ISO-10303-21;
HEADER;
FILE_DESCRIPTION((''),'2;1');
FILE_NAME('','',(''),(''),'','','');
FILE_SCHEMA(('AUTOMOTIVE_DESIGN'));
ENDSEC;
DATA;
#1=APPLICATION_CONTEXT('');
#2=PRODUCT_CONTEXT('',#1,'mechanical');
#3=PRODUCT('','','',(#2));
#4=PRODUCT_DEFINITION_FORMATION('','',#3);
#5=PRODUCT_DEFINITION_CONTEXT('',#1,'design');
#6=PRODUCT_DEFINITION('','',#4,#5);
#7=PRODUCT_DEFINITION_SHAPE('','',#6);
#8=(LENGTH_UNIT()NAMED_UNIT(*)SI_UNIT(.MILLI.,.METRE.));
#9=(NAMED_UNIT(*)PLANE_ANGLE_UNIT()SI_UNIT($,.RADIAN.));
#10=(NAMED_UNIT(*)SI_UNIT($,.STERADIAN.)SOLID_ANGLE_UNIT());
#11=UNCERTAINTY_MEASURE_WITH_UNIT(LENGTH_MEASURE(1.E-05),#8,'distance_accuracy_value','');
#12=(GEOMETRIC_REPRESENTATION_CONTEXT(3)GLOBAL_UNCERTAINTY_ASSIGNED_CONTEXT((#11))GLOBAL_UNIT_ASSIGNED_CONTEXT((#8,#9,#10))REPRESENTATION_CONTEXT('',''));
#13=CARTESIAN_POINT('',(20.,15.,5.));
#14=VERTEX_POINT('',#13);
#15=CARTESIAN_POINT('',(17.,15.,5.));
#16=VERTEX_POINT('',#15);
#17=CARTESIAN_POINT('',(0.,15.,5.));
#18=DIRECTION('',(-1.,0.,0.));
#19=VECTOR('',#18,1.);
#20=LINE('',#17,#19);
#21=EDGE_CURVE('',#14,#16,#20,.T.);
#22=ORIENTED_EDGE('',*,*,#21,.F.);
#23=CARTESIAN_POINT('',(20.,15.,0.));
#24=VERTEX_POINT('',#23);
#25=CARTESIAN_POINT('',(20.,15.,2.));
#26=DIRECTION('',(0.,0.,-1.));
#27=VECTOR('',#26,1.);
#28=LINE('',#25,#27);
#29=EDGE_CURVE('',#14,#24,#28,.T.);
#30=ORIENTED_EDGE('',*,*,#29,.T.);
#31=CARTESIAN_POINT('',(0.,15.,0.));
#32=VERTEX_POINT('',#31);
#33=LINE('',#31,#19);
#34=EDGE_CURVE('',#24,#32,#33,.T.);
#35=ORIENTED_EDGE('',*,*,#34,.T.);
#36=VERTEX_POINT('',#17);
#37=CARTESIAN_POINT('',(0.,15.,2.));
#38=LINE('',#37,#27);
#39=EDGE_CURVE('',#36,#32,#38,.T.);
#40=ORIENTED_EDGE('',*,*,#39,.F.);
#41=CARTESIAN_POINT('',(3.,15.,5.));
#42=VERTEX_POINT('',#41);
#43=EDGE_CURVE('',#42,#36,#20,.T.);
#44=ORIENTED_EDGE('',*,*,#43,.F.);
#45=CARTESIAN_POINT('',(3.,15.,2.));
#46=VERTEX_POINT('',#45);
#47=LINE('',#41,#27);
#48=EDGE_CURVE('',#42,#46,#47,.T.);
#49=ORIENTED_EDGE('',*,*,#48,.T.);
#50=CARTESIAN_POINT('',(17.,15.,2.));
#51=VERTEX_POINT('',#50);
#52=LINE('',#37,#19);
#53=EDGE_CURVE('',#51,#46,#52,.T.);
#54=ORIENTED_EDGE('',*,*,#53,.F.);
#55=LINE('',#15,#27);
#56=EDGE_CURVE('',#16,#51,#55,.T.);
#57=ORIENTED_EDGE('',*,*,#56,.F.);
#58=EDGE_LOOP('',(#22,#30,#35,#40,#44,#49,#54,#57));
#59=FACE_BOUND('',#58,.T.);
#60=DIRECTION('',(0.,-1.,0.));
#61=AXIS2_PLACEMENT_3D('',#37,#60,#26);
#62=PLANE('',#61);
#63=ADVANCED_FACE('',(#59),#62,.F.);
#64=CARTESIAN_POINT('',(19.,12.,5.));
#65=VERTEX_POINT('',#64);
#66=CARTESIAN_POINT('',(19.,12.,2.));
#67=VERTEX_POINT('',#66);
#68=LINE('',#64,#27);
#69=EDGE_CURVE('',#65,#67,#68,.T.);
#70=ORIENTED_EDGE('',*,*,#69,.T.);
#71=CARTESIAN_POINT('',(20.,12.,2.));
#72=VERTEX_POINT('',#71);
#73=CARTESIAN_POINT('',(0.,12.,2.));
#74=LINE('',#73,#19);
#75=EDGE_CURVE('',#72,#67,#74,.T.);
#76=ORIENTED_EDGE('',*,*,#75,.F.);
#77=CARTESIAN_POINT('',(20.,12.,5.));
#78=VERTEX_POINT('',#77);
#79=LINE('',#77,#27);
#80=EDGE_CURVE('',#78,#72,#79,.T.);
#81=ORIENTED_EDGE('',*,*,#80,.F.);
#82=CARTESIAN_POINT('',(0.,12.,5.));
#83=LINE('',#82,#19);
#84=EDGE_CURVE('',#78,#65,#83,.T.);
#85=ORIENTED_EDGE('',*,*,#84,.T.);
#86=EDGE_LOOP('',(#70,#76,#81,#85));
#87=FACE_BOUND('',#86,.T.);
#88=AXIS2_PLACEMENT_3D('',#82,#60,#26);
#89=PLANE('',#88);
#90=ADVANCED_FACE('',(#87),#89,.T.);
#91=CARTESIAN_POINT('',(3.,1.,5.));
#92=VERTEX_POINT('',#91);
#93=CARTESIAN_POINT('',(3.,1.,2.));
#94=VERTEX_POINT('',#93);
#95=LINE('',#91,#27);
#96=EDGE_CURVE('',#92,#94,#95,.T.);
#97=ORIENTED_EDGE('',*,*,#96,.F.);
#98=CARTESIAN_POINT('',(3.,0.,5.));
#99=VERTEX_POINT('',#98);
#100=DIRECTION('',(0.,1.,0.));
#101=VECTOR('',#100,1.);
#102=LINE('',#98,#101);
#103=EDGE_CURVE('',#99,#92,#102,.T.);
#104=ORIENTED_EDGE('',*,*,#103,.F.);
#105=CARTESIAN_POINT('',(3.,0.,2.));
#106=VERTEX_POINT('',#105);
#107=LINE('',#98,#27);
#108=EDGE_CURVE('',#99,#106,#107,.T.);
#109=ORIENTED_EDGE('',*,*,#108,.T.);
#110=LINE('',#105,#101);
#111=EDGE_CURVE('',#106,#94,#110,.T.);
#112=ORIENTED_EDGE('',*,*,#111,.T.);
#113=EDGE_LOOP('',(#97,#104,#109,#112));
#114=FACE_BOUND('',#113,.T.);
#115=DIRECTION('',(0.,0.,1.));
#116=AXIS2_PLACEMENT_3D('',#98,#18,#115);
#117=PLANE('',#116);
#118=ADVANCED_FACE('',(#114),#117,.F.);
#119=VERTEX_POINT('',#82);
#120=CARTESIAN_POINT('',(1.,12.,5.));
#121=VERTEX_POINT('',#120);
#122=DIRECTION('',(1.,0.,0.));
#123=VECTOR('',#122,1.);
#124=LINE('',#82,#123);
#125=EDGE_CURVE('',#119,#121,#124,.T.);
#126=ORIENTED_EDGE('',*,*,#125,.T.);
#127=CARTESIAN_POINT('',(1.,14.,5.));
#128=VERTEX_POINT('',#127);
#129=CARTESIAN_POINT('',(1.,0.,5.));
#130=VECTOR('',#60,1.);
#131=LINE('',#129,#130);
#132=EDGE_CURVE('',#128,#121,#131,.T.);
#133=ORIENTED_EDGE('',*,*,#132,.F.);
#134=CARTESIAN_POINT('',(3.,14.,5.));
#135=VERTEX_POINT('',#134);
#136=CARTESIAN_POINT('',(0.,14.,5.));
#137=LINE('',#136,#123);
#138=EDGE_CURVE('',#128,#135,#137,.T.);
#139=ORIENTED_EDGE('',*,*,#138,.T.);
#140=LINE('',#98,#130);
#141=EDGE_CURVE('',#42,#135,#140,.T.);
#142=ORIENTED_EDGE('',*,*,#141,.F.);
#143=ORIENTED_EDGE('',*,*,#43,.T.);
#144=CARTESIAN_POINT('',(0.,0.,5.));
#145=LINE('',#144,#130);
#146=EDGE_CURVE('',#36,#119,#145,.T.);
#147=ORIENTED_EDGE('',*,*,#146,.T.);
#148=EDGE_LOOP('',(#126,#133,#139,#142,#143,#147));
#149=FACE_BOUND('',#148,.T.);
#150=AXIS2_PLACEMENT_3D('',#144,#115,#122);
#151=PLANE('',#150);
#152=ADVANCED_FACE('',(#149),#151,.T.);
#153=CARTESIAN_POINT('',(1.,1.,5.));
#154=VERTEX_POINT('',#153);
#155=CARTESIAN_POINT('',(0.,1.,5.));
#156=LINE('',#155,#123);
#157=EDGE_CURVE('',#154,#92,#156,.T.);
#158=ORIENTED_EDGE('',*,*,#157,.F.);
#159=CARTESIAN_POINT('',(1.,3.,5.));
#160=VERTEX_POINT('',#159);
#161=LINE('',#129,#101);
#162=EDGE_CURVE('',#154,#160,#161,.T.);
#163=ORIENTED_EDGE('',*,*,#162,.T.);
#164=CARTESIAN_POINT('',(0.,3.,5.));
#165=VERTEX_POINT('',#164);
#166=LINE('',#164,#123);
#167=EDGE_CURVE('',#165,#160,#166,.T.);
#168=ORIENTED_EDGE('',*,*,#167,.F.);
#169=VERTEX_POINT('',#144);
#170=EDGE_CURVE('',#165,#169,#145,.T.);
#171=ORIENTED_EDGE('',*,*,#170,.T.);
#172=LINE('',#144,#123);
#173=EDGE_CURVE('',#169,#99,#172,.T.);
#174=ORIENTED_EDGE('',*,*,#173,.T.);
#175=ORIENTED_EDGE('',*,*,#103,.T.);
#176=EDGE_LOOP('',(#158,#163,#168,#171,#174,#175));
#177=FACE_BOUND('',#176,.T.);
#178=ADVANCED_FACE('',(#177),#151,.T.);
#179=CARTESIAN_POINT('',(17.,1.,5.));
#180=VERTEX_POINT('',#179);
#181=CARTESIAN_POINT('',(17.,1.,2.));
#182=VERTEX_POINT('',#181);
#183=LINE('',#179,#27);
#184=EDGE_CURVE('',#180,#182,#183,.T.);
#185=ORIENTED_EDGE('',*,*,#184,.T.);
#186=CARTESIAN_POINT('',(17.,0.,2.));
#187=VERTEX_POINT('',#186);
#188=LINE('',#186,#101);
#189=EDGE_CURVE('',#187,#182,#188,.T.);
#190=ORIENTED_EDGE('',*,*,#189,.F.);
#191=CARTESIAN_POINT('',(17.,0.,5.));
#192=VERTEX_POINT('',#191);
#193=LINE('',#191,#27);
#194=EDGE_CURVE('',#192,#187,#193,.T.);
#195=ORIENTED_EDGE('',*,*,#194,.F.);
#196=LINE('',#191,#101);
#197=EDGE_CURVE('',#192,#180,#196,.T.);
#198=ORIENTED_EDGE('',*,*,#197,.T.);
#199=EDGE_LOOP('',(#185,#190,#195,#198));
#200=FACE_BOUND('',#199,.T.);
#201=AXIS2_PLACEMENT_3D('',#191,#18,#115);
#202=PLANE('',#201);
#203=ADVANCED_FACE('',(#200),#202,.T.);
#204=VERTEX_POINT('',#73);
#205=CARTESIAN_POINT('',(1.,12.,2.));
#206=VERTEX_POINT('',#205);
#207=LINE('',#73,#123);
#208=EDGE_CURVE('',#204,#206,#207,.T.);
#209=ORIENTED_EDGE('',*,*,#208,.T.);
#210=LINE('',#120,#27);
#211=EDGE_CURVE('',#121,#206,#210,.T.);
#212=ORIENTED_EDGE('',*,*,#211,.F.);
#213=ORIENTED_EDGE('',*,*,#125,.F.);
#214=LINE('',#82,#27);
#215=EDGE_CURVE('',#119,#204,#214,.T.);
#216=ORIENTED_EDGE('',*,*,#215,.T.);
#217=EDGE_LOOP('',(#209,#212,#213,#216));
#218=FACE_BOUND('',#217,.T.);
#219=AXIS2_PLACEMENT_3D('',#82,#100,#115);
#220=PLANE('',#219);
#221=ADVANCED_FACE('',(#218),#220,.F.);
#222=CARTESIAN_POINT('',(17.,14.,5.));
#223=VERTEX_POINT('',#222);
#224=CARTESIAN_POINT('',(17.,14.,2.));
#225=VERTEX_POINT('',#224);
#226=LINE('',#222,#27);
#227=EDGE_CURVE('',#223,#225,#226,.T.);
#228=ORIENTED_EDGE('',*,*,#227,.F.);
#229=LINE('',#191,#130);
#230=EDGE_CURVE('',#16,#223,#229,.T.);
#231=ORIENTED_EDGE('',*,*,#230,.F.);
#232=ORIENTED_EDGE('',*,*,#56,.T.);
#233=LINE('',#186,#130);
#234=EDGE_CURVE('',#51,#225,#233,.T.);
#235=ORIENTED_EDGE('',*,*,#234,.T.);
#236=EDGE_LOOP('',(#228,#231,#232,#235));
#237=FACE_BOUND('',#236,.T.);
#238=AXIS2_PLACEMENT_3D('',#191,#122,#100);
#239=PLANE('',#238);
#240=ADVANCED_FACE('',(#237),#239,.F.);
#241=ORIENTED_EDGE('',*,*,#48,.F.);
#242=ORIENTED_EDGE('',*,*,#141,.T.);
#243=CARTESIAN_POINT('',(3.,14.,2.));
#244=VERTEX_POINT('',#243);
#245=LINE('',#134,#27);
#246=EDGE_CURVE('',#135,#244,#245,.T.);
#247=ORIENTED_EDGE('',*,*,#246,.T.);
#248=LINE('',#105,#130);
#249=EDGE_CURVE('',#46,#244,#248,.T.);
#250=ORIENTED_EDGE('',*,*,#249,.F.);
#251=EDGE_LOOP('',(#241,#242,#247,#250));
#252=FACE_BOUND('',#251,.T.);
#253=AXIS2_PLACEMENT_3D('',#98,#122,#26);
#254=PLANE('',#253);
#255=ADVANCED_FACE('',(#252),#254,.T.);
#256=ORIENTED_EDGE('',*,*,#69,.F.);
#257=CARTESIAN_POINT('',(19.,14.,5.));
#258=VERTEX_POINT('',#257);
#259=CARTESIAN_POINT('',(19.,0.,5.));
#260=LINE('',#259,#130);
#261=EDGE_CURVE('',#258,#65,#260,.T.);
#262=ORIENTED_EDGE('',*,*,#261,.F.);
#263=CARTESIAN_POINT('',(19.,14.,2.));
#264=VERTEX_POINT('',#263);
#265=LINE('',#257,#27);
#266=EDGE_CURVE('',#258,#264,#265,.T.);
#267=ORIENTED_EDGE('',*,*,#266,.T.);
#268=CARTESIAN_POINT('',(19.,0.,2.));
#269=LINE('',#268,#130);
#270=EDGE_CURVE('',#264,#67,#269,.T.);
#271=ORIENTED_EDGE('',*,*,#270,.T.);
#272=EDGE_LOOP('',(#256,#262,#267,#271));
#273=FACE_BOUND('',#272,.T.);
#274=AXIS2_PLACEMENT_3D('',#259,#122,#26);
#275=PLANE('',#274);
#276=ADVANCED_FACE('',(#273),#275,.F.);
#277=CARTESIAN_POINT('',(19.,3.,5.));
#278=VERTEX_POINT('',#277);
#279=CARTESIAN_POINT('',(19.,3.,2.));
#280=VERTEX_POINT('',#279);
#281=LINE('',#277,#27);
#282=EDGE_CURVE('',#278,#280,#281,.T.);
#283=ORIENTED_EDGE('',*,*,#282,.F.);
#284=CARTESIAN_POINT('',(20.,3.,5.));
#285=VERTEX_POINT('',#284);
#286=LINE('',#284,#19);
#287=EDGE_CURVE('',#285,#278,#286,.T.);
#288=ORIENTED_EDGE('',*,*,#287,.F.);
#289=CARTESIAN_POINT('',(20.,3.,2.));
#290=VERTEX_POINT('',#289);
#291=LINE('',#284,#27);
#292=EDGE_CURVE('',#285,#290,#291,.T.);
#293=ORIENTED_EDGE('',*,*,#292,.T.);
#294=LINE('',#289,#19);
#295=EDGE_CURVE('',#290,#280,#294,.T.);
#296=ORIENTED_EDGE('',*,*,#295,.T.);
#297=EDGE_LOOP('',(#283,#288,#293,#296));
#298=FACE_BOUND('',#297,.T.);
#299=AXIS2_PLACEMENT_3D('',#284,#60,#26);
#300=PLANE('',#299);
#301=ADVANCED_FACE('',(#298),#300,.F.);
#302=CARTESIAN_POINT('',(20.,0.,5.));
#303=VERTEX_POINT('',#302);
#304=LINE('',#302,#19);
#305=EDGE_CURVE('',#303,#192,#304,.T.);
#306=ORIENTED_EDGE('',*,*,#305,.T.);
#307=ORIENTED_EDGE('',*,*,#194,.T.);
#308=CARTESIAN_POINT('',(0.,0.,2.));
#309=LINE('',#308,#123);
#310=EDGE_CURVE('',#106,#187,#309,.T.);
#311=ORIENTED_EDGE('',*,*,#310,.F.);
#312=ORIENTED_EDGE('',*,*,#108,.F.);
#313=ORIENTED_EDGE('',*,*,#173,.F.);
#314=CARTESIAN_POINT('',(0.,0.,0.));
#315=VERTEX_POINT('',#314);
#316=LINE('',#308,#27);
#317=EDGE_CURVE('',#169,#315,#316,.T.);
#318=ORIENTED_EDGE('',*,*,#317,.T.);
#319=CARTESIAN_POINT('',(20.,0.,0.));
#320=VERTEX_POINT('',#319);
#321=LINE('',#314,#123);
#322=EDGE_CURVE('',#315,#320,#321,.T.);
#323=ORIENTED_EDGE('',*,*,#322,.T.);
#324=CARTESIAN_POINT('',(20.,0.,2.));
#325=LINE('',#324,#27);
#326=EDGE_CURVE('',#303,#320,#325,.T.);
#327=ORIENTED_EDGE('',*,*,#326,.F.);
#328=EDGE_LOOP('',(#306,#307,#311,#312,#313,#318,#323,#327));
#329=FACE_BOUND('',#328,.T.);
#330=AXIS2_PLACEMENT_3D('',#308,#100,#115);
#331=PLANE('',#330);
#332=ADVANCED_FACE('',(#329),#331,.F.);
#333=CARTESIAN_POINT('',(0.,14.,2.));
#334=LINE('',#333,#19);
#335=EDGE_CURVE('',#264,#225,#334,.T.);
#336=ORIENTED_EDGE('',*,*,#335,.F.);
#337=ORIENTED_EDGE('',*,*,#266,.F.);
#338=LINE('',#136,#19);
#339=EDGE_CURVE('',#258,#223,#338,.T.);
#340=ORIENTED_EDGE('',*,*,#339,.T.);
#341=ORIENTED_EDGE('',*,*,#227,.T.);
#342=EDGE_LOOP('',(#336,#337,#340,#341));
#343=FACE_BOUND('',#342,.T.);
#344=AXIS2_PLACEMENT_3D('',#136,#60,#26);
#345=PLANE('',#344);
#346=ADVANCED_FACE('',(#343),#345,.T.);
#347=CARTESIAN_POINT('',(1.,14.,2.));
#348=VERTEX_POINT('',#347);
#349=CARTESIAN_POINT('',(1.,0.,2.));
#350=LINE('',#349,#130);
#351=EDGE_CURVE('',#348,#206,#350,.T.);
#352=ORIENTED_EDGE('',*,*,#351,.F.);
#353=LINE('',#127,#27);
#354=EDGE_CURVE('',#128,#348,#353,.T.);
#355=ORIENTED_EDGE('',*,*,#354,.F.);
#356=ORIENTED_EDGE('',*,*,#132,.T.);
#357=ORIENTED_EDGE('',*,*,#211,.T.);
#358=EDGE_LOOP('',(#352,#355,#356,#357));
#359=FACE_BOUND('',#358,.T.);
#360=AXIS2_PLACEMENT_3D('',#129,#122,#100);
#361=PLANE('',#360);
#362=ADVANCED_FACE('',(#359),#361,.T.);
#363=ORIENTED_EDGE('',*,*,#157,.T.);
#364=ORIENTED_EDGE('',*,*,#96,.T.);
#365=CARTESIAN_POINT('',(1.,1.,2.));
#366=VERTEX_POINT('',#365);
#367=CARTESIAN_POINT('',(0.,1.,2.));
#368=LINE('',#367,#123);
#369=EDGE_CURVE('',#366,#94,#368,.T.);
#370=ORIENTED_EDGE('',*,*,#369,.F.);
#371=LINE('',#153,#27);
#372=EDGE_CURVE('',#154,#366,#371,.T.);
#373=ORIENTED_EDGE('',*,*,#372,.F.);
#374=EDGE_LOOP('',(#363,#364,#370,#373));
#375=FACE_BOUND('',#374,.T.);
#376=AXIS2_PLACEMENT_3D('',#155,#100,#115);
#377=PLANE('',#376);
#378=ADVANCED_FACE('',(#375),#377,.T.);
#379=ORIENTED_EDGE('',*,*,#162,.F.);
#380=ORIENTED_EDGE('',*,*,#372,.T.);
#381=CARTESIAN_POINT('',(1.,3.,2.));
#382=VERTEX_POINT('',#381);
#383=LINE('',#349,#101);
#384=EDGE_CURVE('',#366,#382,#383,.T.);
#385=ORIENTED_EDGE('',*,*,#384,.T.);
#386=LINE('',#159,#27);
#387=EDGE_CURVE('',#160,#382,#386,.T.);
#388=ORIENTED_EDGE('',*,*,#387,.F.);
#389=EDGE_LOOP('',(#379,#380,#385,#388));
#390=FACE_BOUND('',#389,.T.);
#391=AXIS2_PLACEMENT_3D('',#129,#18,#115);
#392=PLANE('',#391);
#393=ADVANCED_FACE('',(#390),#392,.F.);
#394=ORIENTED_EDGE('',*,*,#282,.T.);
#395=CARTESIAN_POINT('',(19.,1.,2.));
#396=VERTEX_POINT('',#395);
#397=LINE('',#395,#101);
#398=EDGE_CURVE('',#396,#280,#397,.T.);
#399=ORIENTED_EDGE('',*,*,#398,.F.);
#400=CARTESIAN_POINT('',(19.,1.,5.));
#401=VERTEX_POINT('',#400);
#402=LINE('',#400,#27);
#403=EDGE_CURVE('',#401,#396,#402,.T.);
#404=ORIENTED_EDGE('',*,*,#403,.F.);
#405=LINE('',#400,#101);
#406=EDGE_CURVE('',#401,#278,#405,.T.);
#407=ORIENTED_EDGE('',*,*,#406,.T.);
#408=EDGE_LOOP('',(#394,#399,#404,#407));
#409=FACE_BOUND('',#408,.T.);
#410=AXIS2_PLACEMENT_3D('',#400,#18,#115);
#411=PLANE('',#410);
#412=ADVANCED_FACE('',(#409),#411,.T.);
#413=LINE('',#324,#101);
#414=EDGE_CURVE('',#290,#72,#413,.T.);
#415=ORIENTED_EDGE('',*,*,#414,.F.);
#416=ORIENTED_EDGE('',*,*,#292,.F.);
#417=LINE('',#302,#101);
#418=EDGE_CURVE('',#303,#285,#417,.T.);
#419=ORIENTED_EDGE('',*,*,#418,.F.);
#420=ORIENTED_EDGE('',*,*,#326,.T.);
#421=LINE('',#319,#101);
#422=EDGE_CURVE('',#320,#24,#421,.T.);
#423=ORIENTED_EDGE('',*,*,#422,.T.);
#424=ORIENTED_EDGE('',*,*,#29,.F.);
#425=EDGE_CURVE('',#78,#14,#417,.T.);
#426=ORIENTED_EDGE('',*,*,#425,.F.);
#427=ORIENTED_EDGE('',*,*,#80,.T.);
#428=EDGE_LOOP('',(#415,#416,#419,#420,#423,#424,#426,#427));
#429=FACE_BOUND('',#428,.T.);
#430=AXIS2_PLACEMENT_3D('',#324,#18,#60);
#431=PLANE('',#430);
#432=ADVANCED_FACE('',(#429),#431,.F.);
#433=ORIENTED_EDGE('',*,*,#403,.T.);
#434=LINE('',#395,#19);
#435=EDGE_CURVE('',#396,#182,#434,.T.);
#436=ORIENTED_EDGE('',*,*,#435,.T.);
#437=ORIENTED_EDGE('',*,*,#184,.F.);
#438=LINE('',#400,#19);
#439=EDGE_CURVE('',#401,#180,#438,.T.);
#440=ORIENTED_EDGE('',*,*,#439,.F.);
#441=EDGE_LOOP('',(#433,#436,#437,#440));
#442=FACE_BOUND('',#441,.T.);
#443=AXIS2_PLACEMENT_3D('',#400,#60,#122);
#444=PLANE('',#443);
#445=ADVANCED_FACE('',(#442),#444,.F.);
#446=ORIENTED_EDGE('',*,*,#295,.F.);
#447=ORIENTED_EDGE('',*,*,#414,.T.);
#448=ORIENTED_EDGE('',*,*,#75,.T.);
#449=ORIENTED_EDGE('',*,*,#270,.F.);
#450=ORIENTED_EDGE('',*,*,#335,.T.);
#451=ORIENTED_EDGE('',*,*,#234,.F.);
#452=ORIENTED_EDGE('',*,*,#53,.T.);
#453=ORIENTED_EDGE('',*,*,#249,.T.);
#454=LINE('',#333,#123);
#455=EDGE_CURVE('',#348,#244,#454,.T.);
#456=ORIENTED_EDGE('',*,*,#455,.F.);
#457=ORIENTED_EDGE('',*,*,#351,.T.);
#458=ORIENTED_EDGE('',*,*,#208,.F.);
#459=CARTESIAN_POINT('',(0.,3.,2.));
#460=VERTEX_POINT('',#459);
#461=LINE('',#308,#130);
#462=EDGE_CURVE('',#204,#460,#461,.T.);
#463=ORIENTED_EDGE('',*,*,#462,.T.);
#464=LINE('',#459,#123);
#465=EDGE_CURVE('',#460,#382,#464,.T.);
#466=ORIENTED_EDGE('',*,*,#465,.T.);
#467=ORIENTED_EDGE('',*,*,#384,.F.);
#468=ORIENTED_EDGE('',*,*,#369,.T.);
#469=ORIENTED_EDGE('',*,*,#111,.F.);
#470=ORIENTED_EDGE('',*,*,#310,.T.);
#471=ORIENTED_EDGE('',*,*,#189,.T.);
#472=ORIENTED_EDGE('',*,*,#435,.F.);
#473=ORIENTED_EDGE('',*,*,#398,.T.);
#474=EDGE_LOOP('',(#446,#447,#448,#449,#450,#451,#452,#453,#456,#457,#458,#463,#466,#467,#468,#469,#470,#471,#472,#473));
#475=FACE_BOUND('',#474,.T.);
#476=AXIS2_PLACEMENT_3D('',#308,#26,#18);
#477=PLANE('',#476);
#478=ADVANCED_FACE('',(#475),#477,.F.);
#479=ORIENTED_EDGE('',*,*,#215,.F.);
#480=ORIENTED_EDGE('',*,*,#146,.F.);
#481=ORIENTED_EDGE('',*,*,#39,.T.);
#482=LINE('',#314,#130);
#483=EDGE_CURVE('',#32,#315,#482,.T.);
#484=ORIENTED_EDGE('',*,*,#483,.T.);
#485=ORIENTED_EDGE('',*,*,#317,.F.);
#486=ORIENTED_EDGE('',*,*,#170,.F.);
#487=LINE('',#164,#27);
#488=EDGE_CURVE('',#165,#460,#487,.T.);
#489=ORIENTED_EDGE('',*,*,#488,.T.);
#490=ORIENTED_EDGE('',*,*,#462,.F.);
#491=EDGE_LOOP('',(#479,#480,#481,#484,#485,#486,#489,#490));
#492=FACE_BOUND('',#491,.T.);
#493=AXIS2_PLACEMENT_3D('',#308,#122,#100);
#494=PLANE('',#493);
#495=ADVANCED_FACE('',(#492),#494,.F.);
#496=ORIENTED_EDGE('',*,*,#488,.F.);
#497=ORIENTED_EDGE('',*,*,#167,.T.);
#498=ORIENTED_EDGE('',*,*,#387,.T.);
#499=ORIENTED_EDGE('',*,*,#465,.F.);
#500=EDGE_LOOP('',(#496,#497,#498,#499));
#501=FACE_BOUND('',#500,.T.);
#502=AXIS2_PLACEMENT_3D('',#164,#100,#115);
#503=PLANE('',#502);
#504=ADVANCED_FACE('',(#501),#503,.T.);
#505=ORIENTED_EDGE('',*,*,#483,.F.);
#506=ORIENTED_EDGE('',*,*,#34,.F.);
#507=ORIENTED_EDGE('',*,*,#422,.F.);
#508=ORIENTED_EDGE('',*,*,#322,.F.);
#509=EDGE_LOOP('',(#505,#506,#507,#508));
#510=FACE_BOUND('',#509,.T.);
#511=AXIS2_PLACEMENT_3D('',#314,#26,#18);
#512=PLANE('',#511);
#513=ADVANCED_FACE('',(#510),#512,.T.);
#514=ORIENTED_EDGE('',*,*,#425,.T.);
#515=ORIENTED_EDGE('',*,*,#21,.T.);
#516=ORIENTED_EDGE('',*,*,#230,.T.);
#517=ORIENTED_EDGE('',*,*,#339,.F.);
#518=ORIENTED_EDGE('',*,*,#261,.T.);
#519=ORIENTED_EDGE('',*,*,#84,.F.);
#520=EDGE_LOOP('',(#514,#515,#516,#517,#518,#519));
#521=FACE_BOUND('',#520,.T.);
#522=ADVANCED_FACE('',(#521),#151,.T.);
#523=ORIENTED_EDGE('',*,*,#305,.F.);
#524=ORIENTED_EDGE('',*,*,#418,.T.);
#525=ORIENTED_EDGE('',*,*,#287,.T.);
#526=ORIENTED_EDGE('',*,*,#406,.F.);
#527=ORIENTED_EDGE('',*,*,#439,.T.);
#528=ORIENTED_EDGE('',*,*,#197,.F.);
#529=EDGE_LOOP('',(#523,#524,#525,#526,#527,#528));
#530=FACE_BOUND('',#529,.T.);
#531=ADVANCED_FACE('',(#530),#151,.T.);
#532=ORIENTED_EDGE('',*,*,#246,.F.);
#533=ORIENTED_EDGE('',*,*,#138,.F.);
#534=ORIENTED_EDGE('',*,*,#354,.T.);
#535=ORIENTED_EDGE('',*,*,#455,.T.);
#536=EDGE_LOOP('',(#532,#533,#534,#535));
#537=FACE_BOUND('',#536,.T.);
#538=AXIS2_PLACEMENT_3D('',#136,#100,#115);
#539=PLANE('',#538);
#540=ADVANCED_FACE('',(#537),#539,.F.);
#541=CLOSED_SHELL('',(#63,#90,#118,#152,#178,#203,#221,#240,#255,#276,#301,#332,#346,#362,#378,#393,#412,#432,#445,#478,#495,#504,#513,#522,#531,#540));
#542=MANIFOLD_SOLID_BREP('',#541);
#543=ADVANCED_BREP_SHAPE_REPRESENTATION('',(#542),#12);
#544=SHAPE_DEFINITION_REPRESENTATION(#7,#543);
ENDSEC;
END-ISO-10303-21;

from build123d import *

# Parameters (mm, degrees)
SKETCH1_W           = 20
SKETCH1_H           = 15
BOSS_EXTRUDE2_DEPTH = 2
BOSS_EXTRUDE3_DEPTH = 3


with BuildPart() as part:
    # Sketch1 → Boss-Extrude2 (new body)
    with BuildSketch(Plane.XY):
        with Locations((10, 7.5)):
            Rectangle(SKETCH1_W, SKETCH1_H)
    extrude(amount=BOSS_EXTRUDE2_DEPTH)

    # Sketch2 → Boss-Extrude3 (add)
    with BuildSketch(Plane.XY.offset(2)):
        Polygon((1, 15), (0, 15), (0, 14), (0, 12), (1, 12), (1, 14), (3, 14), (3, 15), align=None)
        Polygon((1, 3), (0, 3), (0, 1), (0, 0), (1, 0), (3, 0), (3, 1), (1, 1), align=None)
        Polygon((19, 15), (17, 15), (17, 14), (19, 14), (19, 12), (20, 12), (20, 14), (20, 15), align=None)
        Polygon((20, 0), (17, 0), (17, 1), (19, 1), (19, 3), (20, 3), align=None)
    extrude(amount=BOSS_EXTRUDE3_DEPTH)


solid = part.part
